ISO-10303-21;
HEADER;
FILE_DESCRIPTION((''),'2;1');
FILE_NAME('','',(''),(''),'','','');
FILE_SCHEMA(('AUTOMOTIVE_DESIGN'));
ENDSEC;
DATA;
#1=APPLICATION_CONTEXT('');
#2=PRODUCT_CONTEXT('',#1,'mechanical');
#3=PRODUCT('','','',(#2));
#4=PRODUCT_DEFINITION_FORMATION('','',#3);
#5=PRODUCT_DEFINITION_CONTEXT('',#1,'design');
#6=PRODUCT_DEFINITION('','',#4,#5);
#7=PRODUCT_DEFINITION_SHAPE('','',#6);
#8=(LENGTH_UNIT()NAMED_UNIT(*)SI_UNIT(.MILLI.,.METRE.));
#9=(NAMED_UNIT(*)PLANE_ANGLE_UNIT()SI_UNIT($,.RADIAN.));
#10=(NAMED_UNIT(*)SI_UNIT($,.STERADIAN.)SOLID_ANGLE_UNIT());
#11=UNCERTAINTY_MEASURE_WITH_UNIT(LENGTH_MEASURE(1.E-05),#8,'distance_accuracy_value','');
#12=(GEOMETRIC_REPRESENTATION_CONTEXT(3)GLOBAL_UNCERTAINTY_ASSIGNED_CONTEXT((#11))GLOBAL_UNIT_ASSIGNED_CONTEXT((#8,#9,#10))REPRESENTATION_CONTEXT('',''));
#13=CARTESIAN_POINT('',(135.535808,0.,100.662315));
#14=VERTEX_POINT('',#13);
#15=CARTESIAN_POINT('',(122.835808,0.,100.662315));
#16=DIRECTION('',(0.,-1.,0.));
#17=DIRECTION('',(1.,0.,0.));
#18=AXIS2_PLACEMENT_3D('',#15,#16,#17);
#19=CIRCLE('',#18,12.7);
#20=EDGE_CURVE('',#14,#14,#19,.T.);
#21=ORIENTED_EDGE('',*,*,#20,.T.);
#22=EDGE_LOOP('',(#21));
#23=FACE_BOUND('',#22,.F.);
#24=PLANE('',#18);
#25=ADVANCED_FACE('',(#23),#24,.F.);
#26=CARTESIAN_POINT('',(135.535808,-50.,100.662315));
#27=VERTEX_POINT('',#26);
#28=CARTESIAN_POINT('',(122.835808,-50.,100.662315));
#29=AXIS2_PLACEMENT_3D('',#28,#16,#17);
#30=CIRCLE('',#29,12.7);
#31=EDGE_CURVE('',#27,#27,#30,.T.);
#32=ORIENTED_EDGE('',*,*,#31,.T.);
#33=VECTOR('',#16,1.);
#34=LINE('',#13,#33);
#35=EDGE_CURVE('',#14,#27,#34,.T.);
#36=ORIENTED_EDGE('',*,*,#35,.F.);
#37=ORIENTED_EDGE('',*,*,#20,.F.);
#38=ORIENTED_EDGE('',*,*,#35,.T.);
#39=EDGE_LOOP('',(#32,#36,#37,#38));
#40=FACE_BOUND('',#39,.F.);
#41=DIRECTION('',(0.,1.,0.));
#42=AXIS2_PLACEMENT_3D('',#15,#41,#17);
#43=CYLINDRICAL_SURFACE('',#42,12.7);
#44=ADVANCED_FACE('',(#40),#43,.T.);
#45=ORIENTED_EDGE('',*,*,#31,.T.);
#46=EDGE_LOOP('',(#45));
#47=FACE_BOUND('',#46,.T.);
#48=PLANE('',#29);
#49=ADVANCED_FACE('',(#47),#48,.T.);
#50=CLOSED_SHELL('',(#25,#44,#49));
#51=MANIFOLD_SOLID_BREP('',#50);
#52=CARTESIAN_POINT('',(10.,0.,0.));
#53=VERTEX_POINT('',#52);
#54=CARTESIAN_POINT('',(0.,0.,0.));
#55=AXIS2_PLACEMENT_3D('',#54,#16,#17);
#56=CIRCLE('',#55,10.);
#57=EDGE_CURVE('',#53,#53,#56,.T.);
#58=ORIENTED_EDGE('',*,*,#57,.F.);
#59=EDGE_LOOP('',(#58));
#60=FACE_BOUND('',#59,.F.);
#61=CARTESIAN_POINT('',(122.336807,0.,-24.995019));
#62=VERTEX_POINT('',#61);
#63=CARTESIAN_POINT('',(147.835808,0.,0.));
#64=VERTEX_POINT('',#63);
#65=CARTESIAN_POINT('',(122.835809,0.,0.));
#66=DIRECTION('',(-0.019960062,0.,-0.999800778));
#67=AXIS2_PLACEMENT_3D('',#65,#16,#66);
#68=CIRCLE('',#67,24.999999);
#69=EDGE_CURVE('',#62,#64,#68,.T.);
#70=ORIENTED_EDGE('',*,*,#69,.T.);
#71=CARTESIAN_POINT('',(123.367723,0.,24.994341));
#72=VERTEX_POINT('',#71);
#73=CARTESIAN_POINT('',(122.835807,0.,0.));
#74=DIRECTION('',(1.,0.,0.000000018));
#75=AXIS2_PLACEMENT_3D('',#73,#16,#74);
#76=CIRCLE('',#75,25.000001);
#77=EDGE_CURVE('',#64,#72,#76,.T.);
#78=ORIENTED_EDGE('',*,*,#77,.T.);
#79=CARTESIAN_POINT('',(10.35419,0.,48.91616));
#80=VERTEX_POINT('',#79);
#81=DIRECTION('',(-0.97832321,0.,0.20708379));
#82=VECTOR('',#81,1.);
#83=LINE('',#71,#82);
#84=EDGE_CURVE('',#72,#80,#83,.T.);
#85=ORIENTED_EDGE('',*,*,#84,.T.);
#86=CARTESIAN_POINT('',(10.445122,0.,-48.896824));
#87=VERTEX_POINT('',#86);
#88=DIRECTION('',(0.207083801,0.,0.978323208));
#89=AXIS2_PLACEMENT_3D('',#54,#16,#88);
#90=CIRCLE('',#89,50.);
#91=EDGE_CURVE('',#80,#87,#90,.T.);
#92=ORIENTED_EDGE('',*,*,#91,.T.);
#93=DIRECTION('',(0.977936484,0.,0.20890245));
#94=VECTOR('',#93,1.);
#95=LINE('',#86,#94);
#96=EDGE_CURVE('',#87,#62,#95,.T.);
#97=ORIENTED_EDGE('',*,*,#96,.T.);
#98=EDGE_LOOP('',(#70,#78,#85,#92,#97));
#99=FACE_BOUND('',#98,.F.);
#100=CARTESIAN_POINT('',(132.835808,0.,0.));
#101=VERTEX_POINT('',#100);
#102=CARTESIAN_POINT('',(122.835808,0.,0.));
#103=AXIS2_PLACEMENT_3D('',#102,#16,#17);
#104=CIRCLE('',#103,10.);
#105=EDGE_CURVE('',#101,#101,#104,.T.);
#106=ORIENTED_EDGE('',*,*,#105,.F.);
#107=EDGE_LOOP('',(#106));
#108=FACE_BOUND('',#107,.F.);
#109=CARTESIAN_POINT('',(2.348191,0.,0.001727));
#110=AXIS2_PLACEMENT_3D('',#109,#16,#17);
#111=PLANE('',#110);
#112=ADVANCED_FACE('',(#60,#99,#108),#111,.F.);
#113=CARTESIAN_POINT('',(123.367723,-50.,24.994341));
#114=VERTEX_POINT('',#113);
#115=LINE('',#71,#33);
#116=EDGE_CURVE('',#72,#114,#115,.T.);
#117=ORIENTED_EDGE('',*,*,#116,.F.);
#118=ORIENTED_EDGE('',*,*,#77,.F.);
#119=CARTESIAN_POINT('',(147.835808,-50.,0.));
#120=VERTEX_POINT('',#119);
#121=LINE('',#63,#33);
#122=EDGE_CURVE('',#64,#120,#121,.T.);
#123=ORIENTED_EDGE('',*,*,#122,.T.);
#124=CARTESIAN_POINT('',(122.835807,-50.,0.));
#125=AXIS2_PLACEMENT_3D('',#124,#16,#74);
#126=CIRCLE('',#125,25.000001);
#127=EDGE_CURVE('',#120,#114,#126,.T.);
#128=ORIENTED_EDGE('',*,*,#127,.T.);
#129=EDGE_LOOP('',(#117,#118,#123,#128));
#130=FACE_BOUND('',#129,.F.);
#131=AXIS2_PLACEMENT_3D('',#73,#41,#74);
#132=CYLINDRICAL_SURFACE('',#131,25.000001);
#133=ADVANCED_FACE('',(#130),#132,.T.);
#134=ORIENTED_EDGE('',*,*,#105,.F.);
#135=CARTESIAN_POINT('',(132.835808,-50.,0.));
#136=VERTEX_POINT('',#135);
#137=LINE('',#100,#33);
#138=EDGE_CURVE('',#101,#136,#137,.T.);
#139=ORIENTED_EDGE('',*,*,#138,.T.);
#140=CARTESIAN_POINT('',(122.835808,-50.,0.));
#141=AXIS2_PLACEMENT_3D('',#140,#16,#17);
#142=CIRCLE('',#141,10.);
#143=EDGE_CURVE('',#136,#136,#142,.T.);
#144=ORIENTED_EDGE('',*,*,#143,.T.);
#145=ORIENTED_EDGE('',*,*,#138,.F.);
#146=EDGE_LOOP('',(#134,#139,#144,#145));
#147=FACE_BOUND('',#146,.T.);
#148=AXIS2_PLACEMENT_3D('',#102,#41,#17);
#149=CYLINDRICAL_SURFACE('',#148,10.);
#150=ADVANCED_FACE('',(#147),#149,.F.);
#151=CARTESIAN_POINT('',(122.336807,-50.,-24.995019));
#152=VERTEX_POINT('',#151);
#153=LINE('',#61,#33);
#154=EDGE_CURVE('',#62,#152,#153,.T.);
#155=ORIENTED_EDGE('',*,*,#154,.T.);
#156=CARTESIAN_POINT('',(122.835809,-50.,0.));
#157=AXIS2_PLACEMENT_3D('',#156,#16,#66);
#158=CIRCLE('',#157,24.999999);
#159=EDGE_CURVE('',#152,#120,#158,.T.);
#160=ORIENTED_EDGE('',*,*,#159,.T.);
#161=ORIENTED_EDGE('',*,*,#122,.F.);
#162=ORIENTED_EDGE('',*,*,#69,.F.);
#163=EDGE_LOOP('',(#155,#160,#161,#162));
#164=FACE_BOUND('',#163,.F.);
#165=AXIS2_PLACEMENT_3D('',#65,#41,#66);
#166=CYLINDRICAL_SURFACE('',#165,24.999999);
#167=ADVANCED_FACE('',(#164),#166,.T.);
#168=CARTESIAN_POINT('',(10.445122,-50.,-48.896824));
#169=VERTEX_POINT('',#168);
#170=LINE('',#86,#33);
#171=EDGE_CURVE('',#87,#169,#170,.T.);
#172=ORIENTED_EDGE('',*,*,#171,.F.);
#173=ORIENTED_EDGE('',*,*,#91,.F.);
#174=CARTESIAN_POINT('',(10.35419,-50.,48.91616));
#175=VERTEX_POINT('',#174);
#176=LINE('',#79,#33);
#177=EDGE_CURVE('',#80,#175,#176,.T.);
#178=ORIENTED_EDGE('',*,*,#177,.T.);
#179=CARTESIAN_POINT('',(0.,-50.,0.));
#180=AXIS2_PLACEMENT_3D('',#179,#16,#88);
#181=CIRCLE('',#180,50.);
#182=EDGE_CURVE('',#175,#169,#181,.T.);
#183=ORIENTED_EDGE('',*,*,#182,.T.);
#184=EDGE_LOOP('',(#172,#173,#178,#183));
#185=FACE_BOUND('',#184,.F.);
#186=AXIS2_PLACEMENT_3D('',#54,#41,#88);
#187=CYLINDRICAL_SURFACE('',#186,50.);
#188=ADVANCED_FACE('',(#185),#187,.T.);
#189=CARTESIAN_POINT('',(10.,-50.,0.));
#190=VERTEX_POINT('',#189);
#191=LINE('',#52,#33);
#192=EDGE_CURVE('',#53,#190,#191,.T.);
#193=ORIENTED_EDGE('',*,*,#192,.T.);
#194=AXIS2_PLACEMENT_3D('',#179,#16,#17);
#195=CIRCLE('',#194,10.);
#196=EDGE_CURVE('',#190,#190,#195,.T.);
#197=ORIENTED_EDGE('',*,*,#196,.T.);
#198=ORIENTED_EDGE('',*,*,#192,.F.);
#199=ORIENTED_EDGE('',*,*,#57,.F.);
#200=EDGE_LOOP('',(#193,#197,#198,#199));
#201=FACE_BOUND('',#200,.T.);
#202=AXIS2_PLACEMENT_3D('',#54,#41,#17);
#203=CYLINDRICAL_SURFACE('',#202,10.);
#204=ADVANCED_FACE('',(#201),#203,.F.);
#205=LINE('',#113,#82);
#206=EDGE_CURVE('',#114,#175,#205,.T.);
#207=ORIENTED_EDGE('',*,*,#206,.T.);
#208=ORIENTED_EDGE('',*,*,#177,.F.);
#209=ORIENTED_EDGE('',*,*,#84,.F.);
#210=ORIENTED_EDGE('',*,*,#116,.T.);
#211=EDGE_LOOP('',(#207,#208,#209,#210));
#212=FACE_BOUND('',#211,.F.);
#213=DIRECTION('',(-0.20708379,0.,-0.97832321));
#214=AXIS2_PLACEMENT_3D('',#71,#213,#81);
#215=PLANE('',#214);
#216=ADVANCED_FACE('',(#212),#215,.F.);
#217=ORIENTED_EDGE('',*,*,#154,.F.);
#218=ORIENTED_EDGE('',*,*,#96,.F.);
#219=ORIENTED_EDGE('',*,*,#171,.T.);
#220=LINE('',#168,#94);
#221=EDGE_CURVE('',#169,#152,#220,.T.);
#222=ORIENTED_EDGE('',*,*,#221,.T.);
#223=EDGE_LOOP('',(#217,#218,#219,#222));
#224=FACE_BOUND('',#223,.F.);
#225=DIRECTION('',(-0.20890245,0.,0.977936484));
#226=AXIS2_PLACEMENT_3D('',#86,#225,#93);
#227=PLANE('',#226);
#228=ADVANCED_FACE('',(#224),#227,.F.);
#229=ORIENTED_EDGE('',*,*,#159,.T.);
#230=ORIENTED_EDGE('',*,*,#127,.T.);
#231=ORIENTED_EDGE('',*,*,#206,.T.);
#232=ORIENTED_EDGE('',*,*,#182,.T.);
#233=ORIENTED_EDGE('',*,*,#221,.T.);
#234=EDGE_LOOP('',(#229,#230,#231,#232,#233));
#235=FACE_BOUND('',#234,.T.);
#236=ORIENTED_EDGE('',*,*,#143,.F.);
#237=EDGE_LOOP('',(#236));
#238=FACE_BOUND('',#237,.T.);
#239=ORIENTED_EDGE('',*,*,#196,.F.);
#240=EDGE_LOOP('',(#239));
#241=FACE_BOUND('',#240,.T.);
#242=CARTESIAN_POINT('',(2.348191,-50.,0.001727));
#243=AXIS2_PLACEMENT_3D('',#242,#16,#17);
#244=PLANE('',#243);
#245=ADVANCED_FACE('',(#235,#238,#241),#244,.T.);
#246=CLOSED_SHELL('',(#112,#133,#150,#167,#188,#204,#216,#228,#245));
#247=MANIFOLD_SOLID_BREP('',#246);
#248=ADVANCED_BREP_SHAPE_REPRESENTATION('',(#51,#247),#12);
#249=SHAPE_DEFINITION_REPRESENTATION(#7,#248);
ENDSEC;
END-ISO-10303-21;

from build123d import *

# Parameters (mm, degrees)
F0_R     = 10
F0_R_2   = 12.7
F1_DEPTH = 50


with BuildPart() as f1:
    # F0 (on Front) → F1 (new body)
    with BuildSketch(Plane.XZ):
        with BuildLine():
            ThreePointArc((10.445122, -48.896824), (38.873231, -31.446334), (50, 0))
            ThreePointArc((50, 0), (38.84398, 31.482459), (10.35419, 48.91616))
            ThreePointArc((10.35419, 48.91616), (-49.999978, -0.046483), (10.445122, -48.896824))
        make_face()
        Circle(F0_R, mode=Mode.SUBTRACT)
        with BuildLine():
            ThreePointArc((10.35419, 48.91616), (38.84398, 31.482459), (50, 0))
            ThreePointArc((50, 0), (38.873231, -31.446334), (10.445122, -48.896824))
            Line((10.445122, -48.896824), (122.336807, -24.995019))
            ThreePointArc((122.336807, -24.995019), (97.841123, 0.515458), (123.367723, 24.994341))
            Line((123.367723, 24.994341), (10.35419, 48.91616))
        make_face()
        with BuildLine():
            ThreePointArc((147.835808, 0), (140.700548, 17.488598), (123.367723, 24.994341))
            ThreePointArc((123.367723, 24.994341), (97.841123, 0.515458), (122.336807, -24.995019))
            ThreePointArc((122.336807, -24.995019), (140.336165, -17.853221), (147.835808, 0))
        make_face()
        with Locations((122.835808, 0)):
            Circle(F0_R, mode=Mode.SUBTRACT)
        with Locations((122.835808, 100.662315)):
            Circle(F0_R_2)
    extrude(amount=F1_DEPTH)


solid = f1.part
